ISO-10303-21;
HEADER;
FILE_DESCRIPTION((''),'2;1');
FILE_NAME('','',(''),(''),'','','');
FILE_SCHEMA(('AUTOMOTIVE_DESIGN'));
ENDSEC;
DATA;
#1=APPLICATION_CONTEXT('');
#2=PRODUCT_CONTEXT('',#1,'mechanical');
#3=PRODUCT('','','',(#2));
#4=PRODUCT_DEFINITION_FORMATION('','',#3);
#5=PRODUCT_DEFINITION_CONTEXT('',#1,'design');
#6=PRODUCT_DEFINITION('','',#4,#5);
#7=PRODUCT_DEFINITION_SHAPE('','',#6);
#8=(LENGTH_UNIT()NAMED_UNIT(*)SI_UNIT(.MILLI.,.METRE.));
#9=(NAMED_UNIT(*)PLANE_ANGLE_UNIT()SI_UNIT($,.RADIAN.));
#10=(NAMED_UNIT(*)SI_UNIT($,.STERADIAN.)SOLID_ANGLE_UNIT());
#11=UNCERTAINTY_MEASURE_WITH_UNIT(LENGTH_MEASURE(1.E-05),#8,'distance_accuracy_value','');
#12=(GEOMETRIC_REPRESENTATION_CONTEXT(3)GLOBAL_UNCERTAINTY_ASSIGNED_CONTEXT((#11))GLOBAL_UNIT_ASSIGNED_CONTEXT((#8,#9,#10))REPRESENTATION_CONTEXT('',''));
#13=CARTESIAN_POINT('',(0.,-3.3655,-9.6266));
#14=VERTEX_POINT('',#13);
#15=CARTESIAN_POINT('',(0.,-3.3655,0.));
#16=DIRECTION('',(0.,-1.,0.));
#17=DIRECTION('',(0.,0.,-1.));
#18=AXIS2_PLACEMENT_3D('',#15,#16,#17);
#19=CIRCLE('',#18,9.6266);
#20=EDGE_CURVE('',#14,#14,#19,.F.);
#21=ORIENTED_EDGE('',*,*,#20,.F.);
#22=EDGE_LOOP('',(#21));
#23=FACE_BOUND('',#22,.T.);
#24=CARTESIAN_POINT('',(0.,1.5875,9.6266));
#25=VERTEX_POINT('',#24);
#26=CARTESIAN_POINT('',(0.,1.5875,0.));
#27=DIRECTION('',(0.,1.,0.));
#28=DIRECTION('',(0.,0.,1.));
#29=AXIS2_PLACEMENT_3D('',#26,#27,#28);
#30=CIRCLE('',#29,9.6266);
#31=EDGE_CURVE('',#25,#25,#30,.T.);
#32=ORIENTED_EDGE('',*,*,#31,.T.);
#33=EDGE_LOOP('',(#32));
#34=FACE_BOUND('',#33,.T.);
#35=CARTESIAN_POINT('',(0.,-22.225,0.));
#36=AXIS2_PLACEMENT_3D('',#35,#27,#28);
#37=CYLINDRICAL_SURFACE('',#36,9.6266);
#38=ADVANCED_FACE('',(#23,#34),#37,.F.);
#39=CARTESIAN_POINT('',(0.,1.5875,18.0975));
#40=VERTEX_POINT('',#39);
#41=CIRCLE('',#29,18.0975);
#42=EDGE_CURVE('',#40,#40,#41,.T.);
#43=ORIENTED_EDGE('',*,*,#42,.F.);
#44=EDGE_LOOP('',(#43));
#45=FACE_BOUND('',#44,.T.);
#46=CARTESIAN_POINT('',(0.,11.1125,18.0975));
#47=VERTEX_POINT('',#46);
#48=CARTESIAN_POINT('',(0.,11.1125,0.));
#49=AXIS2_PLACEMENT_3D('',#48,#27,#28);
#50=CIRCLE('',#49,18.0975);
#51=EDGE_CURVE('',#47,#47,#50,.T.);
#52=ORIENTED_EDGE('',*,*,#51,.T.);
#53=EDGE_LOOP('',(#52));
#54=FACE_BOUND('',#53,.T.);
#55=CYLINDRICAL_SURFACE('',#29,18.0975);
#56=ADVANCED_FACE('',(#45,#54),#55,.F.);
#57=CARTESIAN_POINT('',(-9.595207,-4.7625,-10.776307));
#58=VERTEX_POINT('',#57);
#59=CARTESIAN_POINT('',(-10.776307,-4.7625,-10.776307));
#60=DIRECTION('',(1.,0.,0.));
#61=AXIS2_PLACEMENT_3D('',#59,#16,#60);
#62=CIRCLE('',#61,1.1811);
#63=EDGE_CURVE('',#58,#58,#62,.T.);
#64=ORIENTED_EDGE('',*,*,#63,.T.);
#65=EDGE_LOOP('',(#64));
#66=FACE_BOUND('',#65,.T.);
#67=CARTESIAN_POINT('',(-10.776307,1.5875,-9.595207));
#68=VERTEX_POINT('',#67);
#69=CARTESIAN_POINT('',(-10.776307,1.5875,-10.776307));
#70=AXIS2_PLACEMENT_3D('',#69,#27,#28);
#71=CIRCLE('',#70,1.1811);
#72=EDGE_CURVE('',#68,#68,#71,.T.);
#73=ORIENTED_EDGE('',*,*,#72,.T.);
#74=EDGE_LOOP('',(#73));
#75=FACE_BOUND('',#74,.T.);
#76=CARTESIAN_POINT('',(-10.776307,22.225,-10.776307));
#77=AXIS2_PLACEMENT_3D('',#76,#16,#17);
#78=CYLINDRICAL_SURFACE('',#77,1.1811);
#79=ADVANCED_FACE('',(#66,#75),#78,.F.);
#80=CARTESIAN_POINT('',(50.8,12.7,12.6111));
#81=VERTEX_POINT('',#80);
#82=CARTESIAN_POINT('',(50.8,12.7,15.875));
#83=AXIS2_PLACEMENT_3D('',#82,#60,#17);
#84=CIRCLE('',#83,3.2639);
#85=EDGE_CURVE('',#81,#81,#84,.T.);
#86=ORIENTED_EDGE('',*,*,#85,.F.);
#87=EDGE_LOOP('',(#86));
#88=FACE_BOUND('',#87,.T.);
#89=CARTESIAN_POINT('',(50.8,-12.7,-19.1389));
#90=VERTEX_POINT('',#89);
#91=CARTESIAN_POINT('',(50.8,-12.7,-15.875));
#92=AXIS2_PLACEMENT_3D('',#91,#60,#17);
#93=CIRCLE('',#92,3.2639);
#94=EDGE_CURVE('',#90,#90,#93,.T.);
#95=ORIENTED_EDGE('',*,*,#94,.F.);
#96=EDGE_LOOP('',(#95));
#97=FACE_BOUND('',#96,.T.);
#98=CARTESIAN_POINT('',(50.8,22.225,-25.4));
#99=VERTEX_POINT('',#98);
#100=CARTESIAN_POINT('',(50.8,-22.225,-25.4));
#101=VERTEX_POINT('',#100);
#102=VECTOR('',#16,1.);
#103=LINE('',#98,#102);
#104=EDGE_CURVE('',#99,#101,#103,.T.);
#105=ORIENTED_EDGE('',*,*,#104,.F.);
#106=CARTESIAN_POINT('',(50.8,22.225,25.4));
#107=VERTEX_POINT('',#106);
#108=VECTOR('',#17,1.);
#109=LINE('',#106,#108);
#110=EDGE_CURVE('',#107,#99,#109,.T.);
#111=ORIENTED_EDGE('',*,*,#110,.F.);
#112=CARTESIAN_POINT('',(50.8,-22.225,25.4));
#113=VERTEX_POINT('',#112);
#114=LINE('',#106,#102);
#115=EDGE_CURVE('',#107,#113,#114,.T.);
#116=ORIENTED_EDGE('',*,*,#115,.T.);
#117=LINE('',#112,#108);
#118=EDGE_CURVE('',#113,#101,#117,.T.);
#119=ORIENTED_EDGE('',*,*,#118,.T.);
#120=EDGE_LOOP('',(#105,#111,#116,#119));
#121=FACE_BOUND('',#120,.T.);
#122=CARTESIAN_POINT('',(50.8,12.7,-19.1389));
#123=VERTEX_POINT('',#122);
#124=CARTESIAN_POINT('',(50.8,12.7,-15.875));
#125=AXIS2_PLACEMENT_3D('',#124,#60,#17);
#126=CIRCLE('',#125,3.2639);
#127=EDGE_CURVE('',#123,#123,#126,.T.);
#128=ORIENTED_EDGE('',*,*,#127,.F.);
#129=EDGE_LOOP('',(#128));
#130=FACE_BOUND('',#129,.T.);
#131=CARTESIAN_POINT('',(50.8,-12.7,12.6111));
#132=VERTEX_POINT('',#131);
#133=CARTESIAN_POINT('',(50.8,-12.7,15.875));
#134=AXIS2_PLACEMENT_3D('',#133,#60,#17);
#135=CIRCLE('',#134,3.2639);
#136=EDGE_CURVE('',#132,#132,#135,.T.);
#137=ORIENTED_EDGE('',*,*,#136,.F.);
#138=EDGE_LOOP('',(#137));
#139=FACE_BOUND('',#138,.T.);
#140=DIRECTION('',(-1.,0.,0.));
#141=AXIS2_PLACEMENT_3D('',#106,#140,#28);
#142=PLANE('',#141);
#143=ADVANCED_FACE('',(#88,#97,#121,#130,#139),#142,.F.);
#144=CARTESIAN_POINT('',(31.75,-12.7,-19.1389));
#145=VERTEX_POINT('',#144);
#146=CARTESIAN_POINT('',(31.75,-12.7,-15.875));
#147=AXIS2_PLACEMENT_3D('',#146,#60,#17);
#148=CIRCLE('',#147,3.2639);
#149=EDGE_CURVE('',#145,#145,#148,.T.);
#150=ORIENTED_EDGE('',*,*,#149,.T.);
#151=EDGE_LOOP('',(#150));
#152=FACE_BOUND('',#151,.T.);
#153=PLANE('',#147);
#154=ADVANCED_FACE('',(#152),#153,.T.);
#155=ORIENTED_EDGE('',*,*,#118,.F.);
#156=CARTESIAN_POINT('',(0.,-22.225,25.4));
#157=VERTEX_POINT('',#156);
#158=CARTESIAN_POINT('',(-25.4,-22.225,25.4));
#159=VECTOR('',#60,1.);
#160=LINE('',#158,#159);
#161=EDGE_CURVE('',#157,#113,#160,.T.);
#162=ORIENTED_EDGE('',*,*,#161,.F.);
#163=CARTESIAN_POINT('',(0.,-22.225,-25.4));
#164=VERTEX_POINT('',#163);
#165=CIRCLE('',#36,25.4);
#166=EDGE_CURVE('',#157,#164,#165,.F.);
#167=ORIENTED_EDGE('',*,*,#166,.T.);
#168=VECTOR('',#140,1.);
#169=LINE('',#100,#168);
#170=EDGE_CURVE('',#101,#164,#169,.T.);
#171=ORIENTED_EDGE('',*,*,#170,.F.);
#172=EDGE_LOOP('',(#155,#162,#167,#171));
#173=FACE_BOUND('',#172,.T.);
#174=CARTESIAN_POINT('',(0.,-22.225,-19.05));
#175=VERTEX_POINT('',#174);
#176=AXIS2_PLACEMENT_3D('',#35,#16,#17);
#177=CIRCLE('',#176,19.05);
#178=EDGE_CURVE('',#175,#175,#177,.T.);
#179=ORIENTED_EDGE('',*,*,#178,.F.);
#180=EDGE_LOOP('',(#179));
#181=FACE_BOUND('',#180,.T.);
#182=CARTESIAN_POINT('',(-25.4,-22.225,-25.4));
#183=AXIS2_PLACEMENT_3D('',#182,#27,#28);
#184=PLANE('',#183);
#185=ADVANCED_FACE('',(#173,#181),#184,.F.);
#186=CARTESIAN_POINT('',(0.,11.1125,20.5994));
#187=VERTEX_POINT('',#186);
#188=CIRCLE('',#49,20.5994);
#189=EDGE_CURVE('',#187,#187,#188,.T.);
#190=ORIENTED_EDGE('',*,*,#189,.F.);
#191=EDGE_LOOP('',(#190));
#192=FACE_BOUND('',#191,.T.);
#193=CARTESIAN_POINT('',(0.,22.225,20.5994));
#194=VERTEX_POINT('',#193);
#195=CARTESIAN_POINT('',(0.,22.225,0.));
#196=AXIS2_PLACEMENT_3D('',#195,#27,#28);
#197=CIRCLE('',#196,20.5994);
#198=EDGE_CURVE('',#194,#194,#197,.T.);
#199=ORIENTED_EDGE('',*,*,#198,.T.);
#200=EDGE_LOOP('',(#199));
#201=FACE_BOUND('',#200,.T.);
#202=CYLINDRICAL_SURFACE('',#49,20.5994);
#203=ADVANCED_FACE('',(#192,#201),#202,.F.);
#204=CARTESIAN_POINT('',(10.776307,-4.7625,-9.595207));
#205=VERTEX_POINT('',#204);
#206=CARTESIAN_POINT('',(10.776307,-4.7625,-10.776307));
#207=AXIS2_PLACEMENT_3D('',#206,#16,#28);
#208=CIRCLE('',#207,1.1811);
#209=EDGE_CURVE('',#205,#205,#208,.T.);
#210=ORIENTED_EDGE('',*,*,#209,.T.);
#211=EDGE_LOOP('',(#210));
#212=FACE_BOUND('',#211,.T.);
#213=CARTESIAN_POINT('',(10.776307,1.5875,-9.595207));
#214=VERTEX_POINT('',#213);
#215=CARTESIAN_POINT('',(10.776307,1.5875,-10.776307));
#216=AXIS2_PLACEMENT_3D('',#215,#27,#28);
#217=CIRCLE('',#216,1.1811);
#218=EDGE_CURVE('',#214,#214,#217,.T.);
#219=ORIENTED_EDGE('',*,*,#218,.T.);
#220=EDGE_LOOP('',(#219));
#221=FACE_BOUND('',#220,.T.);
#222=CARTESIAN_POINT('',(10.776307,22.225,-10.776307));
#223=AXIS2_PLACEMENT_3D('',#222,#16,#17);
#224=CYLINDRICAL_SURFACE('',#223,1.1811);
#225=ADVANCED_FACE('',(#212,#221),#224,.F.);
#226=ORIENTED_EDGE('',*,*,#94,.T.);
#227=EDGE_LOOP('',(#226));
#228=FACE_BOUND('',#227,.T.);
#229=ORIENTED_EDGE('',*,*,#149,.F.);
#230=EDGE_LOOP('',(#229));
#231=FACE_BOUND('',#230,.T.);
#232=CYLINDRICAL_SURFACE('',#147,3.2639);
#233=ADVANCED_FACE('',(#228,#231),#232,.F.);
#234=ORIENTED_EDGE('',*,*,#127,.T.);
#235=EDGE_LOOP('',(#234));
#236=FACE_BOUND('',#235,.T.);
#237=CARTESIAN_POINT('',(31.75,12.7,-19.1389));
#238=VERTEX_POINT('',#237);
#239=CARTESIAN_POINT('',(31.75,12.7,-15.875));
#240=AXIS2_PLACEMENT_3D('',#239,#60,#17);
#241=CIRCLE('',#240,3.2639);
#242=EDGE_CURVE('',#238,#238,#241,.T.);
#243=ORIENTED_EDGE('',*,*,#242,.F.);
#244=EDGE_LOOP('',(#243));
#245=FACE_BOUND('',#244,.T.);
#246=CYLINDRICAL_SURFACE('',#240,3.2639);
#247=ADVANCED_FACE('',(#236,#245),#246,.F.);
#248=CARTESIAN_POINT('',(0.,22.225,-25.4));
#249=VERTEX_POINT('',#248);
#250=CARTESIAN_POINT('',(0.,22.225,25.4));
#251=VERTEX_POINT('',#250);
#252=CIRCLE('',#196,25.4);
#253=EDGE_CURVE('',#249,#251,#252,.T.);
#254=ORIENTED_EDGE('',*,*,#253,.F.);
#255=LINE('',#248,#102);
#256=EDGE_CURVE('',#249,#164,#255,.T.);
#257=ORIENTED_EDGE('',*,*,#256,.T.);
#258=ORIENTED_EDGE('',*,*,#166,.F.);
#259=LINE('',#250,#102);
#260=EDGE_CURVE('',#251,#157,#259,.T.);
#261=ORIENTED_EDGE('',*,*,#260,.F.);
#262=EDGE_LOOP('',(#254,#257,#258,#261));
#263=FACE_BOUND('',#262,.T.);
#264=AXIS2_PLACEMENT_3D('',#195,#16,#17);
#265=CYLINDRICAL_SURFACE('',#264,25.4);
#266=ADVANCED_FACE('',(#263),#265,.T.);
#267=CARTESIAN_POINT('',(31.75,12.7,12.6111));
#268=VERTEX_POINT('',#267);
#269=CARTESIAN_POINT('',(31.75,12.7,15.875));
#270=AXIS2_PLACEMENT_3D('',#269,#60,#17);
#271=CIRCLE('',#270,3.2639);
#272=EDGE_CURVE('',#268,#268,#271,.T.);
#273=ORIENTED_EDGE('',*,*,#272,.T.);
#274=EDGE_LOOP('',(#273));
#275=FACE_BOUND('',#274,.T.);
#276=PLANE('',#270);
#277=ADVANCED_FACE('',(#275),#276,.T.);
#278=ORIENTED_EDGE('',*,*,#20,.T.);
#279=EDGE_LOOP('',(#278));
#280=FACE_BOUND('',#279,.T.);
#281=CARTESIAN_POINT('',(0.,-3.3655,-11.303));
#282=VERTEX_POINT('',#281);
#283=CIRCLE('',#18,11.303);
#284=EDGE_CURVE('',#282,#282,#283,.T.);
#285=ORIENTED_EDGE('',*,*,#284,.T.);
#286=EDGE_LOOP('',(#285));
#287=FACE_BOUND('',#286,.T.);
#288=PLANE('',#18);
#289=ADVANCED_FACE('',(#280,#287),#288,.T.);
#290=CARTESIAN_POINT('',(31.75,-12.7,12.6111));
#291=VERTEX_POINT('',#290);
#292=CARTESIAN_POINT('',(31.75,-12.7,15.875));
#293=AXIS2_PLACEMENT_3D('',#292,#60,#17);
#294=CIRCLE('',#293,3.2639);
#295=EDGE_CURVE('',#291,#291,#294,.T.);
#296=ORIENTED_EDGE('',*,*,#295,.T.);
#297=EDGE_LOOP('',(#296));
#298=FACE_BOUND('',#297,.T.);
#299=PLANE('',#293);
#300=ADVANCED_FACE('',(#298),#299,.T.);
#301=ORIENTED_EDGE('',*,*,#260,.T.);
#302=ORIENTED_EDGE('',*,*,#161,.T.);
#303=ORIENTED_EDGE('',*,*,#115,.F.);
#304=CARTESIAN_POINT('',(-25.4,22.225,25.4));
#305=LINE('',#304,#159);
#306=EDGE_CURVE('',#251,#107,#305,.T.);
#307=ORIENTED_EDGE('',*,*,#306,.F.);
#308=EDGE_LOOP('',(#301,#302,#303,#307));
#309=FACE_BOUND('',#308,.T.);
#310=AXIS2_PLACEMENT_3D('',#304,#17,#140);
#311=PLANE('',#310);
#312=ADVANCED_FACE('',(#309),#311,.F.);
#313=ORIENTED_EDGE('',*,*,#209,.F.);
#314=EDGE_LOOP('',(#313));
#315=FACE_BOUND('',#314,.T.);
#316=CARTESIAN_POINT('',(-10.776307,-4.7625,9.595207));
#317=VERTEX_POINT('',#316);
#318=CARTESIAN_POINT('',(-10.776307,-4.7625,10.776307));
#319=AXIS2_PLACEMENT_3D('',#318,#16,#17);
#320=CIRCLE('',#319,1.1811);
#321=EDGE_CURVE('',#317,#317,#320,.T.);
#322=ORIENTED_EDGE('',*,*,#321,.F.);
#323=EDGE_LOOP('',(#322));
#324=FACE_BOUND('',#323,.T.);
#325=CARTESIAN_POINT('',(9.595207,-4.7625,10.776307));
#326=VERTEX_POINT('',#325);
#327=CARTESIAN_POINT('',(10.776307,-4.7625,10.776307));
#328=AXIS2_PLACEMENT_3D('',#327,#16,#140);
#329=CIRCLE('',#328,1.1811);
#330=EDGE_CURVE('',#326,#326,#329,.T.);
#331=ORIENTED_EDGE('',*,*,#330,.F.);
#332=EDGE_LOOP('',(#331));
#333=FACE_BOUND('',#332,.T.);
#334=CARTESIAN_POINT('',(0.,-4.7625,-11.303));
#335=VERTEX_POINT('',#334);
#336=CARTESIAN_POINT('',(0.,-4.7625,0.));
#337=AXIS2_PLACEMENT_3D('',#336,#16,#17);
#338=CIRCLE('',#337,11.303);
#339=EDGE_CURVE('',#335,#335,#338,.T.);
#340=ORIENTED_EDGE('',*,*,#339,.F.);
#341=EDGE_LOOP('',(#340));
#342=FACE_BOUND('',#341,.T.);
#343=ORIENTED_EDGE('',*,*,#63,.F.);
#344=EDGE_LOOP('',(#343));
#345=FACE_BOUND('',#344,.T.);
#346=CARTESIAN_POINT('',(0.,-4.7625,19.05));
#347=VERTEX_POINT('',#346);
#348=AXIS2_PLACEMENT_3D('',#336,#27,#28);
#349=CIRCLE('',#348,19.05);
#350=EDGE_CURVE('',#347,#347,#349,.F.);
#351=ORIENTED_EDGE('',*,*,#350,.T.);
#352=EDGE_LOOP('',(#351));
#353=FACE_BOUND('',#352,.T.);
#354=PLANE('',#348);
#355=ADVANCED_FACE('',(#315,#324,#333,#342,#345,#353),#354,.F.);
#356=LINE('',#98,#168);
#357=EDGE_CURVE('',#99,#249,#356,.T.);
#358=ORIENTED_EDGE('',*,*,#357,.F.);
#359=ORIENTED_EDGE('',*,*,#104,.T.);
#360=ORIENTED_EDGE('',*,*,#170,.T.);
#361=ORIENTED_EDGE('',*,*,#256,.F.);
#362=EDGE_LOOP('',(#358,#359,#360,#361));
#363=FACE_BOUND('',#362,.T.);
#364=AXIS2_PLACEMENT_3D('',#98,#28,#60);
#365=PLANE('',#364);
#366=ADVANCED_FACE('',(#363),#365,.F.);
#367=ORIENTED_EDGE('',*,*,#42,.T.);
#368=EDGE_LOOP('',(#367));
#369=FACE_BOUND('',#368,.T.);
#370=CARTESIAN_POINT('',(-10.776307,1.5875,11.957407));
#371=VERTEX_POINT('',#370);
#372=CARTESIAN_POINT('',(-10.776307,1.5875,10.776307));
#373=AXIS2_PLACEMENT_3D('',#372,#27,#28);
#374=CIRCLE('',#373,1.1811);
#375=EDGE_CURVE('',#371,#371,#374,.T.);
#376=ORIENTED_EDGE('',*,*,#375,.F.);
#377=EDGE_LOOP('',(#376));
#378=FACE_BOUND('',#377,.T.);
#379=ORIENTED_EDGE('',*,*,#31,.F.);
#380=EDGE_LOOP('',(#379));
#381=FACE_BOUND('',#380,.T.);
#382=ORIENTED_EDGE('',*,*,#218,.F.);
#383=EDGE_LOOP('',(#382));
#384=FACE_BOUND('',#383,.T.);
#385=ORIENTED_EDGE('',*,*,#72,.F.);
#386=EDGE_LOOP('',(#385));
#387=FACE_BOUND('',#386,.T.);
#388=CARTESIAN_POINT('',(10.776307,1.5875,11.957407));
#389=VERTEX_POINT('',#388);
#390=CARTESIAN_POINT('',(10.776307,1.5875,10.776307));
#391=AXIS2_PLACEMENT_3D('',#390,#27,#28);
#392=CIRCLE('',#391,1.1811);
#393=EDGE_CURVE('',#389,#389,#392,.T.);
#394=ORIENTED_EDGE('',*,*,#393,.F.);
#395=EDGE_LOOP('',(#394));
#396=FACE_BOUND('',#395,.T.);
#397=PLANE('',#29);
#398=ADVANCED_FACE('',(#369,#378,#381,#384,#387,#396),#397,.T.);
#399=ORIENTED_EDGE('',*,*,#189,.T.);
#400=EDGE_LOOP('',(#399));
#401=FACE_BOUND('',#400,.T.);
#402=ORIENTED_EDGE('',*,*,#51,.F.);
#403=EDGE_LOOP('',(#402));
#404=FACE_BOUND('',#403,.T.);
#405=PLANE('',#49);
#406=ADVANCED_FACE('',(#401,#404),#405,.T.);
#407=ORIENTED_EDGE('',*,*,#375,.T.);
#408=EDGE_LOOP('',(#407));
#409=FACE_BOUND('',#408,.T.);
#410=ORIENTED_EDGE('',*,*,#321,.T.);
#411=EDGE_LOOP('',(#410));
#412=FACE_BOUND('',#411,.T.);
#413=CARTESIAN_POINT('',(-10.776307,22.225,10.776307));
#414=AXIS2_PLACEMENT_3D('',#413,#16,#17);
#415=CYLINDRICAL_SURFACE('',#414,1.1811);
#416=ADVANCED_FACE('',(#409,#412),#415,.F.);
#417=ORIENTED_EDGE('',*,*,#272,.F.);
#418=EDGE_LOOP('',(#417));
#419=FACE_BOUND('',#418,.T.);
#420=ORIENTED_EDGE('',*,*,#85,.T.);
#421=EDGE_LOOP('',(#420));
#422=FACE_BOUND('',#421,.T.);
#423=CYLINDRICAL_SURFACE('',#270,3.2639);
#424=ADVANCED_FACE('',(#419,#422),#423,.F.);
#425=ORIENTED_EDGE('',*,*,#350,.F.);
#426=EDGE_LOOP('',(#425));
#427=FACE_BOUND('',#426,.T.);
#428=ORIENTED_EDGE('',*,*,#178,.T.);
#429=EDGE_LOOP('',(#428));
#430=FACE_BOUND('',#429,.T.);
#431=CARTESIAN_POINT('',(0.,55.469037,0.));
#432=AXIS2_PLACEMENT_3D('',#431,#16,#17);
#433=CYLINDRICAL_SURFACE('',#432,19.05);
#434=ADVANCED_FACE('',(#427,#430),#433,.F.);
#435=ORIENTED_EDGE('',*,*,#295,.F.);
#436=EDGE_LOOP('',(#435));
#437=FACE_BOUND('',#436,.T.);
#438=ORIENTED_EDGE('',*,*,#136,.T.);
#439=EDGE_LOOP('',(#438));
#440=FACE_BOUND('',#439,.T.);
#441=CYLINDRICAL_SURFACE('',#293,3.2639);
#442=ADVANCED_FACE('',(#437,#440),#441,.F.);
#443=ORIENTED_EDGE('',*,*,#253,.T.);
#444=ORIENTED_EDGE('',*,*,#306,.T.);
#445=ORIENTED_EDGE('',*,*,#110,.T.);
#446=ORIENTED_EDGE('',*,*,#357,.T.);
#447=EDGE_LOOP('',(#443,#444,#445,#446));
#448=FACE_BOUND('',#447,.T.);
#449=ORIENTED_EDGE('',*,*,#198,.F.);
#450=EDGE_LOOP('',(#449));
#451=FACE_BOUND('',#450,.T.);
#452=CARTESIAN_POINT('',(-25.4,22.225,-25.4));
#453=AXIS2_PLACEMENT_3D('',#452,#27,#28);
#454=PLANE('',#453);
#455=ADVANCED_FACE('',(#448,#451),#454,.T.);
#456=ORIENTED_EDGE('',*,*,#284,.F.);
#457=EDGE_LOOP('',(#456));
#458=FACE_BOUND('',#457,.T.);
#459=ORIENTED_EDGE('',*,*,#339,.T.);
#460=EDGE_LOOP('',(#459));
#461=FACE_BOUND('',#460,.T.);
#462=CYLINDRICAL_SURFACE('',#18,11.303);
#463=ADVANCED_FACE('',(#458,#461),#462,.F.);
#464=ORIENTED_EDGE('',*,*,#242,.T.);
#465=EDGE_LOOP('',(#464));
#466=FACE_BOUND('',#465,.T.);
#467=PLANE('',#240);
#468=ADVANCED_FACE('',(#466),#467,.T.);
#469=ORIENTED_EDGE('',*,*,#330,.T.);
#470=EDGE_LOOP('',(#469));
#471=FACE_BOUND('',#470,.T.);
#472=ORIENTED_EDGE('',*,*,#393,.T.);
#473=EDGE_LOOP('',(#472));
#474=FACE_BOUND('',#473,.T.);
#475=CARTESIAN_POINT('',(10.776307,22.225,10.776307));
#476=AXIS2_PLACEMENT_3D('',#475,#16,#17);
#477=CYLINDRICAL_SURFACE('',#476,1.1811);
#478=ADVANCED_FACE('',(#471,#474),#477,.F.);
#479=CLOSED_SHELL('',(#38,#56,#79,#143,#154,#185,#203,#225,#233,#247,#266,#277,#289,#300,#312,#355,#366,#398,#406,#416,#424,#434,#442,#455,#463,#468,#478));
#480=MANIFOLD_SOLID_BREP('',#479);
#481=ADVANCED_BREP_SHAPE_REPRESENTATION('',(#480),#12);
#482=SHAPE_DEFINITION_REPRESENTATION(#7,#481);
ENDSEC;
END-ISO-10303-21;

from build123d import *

# Parameters (mm, degrees)
SKETCH1_W           = 76.2
SKETCH1_H           = 50.8
BOSS_EXTRUDE1_DEPTH = 22.225
SKETCH2_R           = 20.5994
CUT_EXTRUDE1_DEPTH  = 11.1125
SKETCH3_R           = 18.0975
CUT_EXTRUDE2_DEPTH  = 9.525
SKETCH4_R           = 9.6266
CUT_EXTRUDE3_DEPTH  = 24.8125
SKETCH5_R           = 19.05
CUT_EXTRUDE4_DEPTH  = 17.4625
SKETCH6_R           = 11.303
CUT_EXTRUDE5_DEPTH  = 1.397
SKETCH7_R           = 3.2639
CUT_EXTRUDE6_DEPTH  = 19.05
SKETCH8_R           = 1.1811
CUT_EXTRUDE7_DEPTH  = 27.9875
CIRPATTERN1_COUNT   = 4
CUT_EXTRUDE8_DEPTH  = 45.45


with BuildPart() as part:
    # Sketch1 → Boss-Extrude1 (new body, symmetric)
    with BuildSketch(Plane(origin=(0, 0, 0), x_dir=(1, 0, 0), z_dir=(0, 1, 0))):
        with Locations((12.7, 0)):
            Rectangle(SKETCH1_W, SKETCH1_H)
    extrude(amount=BOSS_EXTRUDE1_DEPTH, both=True)

    # Sketch2 → Cut-Extrude1 (cut)
    with BuildSketch(Plane(origin=(0, 22.225, 0), x_dir=(1, 0, 0), z_dir=(0, 1, 0))):
        Circle(SKETCH2_R)
    extrude(amount=-CUT_EXTRUDE1_DEPTH, mode=Mode.SUBTRACT)

    # Sketch3 → Cut-Extrude2 (cut)
    with BuildSketch(Plane(origin=(0, 11.1125, 0), x_dir=(1, 0, 0), z_dir=(0, 1, 0))):
        Circle(SKETCH3_R)
    extrude(amount=-CUT_EXTRUDE2_DEPTH, mode=Mode.SUBTRACT)

    # Sketch4 → Cut-Extrude3 (cut, through all)
    with BuildSketch(Plane(origin=(0, 1.5875, 0), x_dir=(1, 0, 0), z_dir=(0, 1, 0))):
        Circle(SKETCH4_R)
    extrude(amount=-CUT_EXTRUDE3_DEPTH, mode=Mode.SUBTRACT)

    # Sketch5 → Cut-Extrude4 (cut)
    with BuildSketch(Plane.XZ.offset(22.225)):
        Circle(SKETCH5_R)
    extrude(amount=-CUT_EXTRUDE4_DEPTH, mode=Mode.SUBTRACT)

    # Sketch6 → Cut-Extrude5 (cut)
    with BuildSketch(Plane.XZ.offset(4.7625)):
        Circle(SKETCH6_R)
    extrude(amount=-CUT_EXTRUDE5_DEPTH, mode=Mode.SUBTRACT)

    # Sketch7 → Cut-Extrude6 (cut)
    with BuildSketch(Plane(origin=(50.8, 0, 0), x_dir=(0, 0, -1), z_dir=(1, 0, 0))):
        with Locations((-15.875, 12.7)):
            Circle(SKETCH7_R)
        with Locations((15.875, 12.7)):
            Circle(SKETCH7_R)
        with Locations((-15.875, -12.7)):
            Circle(SKETCH7_R)
        with Locations((15.875, -12.7)):
            Circle(SKETCH7_R)
    extrude(amount=-CUT_EXTRUDE6_DEPTH, mode=Mode.SUBTRACT)

    # Sketch8 → Cut-Extrude7 (cut, through all)
    with BuildSketch(Plane.XZ.offset(4.7625)):
        with Locations((-10.776307345, 10.776307345)):
            Circle(SKETCH8_R)
    cut_extrude7 = extrude(amount=-CUT_EXTRUDE7_DEPTH, mode=Mode.SUBTRACT)

    # CirPattern1: Cut-Extrude7 ×4 about axis
    cirpattern1_axis = Axis((0, 0, 0), (0, 1, 0))
    for i in range(1, CIRPATTERN1_COUNT):
        add(cut_extrude7.rotate(cirpattern1_axis, i * 360 / CIRPATTERN1_COUNT), mode=Mode.SUBTRACT)

    # Sketch9 → Cut-Extrude8 (cut, through all)
    with BuildSketch(Plane.XZ.offset(22.225)):
        with BuildLine():
            Line((0, 25.4), (0, 38.1))
            Line((0, 38.1), (-38.1, 38.1))
            Line((-38.1, 38.1), (-38.1, -38.1))
            Line((-38.1, -38.1), (0, -38.1))
            Line((0, -38.1), (0, -25.4))
            ThreePointArc((0, -25.4), (-25.4, 0), (0, 25.4))
        make_face()
    extrude(amount=-CUT_EXTRUDE8_DEPTH, mode=Mode.SUBTRACT)


solid = part.part
